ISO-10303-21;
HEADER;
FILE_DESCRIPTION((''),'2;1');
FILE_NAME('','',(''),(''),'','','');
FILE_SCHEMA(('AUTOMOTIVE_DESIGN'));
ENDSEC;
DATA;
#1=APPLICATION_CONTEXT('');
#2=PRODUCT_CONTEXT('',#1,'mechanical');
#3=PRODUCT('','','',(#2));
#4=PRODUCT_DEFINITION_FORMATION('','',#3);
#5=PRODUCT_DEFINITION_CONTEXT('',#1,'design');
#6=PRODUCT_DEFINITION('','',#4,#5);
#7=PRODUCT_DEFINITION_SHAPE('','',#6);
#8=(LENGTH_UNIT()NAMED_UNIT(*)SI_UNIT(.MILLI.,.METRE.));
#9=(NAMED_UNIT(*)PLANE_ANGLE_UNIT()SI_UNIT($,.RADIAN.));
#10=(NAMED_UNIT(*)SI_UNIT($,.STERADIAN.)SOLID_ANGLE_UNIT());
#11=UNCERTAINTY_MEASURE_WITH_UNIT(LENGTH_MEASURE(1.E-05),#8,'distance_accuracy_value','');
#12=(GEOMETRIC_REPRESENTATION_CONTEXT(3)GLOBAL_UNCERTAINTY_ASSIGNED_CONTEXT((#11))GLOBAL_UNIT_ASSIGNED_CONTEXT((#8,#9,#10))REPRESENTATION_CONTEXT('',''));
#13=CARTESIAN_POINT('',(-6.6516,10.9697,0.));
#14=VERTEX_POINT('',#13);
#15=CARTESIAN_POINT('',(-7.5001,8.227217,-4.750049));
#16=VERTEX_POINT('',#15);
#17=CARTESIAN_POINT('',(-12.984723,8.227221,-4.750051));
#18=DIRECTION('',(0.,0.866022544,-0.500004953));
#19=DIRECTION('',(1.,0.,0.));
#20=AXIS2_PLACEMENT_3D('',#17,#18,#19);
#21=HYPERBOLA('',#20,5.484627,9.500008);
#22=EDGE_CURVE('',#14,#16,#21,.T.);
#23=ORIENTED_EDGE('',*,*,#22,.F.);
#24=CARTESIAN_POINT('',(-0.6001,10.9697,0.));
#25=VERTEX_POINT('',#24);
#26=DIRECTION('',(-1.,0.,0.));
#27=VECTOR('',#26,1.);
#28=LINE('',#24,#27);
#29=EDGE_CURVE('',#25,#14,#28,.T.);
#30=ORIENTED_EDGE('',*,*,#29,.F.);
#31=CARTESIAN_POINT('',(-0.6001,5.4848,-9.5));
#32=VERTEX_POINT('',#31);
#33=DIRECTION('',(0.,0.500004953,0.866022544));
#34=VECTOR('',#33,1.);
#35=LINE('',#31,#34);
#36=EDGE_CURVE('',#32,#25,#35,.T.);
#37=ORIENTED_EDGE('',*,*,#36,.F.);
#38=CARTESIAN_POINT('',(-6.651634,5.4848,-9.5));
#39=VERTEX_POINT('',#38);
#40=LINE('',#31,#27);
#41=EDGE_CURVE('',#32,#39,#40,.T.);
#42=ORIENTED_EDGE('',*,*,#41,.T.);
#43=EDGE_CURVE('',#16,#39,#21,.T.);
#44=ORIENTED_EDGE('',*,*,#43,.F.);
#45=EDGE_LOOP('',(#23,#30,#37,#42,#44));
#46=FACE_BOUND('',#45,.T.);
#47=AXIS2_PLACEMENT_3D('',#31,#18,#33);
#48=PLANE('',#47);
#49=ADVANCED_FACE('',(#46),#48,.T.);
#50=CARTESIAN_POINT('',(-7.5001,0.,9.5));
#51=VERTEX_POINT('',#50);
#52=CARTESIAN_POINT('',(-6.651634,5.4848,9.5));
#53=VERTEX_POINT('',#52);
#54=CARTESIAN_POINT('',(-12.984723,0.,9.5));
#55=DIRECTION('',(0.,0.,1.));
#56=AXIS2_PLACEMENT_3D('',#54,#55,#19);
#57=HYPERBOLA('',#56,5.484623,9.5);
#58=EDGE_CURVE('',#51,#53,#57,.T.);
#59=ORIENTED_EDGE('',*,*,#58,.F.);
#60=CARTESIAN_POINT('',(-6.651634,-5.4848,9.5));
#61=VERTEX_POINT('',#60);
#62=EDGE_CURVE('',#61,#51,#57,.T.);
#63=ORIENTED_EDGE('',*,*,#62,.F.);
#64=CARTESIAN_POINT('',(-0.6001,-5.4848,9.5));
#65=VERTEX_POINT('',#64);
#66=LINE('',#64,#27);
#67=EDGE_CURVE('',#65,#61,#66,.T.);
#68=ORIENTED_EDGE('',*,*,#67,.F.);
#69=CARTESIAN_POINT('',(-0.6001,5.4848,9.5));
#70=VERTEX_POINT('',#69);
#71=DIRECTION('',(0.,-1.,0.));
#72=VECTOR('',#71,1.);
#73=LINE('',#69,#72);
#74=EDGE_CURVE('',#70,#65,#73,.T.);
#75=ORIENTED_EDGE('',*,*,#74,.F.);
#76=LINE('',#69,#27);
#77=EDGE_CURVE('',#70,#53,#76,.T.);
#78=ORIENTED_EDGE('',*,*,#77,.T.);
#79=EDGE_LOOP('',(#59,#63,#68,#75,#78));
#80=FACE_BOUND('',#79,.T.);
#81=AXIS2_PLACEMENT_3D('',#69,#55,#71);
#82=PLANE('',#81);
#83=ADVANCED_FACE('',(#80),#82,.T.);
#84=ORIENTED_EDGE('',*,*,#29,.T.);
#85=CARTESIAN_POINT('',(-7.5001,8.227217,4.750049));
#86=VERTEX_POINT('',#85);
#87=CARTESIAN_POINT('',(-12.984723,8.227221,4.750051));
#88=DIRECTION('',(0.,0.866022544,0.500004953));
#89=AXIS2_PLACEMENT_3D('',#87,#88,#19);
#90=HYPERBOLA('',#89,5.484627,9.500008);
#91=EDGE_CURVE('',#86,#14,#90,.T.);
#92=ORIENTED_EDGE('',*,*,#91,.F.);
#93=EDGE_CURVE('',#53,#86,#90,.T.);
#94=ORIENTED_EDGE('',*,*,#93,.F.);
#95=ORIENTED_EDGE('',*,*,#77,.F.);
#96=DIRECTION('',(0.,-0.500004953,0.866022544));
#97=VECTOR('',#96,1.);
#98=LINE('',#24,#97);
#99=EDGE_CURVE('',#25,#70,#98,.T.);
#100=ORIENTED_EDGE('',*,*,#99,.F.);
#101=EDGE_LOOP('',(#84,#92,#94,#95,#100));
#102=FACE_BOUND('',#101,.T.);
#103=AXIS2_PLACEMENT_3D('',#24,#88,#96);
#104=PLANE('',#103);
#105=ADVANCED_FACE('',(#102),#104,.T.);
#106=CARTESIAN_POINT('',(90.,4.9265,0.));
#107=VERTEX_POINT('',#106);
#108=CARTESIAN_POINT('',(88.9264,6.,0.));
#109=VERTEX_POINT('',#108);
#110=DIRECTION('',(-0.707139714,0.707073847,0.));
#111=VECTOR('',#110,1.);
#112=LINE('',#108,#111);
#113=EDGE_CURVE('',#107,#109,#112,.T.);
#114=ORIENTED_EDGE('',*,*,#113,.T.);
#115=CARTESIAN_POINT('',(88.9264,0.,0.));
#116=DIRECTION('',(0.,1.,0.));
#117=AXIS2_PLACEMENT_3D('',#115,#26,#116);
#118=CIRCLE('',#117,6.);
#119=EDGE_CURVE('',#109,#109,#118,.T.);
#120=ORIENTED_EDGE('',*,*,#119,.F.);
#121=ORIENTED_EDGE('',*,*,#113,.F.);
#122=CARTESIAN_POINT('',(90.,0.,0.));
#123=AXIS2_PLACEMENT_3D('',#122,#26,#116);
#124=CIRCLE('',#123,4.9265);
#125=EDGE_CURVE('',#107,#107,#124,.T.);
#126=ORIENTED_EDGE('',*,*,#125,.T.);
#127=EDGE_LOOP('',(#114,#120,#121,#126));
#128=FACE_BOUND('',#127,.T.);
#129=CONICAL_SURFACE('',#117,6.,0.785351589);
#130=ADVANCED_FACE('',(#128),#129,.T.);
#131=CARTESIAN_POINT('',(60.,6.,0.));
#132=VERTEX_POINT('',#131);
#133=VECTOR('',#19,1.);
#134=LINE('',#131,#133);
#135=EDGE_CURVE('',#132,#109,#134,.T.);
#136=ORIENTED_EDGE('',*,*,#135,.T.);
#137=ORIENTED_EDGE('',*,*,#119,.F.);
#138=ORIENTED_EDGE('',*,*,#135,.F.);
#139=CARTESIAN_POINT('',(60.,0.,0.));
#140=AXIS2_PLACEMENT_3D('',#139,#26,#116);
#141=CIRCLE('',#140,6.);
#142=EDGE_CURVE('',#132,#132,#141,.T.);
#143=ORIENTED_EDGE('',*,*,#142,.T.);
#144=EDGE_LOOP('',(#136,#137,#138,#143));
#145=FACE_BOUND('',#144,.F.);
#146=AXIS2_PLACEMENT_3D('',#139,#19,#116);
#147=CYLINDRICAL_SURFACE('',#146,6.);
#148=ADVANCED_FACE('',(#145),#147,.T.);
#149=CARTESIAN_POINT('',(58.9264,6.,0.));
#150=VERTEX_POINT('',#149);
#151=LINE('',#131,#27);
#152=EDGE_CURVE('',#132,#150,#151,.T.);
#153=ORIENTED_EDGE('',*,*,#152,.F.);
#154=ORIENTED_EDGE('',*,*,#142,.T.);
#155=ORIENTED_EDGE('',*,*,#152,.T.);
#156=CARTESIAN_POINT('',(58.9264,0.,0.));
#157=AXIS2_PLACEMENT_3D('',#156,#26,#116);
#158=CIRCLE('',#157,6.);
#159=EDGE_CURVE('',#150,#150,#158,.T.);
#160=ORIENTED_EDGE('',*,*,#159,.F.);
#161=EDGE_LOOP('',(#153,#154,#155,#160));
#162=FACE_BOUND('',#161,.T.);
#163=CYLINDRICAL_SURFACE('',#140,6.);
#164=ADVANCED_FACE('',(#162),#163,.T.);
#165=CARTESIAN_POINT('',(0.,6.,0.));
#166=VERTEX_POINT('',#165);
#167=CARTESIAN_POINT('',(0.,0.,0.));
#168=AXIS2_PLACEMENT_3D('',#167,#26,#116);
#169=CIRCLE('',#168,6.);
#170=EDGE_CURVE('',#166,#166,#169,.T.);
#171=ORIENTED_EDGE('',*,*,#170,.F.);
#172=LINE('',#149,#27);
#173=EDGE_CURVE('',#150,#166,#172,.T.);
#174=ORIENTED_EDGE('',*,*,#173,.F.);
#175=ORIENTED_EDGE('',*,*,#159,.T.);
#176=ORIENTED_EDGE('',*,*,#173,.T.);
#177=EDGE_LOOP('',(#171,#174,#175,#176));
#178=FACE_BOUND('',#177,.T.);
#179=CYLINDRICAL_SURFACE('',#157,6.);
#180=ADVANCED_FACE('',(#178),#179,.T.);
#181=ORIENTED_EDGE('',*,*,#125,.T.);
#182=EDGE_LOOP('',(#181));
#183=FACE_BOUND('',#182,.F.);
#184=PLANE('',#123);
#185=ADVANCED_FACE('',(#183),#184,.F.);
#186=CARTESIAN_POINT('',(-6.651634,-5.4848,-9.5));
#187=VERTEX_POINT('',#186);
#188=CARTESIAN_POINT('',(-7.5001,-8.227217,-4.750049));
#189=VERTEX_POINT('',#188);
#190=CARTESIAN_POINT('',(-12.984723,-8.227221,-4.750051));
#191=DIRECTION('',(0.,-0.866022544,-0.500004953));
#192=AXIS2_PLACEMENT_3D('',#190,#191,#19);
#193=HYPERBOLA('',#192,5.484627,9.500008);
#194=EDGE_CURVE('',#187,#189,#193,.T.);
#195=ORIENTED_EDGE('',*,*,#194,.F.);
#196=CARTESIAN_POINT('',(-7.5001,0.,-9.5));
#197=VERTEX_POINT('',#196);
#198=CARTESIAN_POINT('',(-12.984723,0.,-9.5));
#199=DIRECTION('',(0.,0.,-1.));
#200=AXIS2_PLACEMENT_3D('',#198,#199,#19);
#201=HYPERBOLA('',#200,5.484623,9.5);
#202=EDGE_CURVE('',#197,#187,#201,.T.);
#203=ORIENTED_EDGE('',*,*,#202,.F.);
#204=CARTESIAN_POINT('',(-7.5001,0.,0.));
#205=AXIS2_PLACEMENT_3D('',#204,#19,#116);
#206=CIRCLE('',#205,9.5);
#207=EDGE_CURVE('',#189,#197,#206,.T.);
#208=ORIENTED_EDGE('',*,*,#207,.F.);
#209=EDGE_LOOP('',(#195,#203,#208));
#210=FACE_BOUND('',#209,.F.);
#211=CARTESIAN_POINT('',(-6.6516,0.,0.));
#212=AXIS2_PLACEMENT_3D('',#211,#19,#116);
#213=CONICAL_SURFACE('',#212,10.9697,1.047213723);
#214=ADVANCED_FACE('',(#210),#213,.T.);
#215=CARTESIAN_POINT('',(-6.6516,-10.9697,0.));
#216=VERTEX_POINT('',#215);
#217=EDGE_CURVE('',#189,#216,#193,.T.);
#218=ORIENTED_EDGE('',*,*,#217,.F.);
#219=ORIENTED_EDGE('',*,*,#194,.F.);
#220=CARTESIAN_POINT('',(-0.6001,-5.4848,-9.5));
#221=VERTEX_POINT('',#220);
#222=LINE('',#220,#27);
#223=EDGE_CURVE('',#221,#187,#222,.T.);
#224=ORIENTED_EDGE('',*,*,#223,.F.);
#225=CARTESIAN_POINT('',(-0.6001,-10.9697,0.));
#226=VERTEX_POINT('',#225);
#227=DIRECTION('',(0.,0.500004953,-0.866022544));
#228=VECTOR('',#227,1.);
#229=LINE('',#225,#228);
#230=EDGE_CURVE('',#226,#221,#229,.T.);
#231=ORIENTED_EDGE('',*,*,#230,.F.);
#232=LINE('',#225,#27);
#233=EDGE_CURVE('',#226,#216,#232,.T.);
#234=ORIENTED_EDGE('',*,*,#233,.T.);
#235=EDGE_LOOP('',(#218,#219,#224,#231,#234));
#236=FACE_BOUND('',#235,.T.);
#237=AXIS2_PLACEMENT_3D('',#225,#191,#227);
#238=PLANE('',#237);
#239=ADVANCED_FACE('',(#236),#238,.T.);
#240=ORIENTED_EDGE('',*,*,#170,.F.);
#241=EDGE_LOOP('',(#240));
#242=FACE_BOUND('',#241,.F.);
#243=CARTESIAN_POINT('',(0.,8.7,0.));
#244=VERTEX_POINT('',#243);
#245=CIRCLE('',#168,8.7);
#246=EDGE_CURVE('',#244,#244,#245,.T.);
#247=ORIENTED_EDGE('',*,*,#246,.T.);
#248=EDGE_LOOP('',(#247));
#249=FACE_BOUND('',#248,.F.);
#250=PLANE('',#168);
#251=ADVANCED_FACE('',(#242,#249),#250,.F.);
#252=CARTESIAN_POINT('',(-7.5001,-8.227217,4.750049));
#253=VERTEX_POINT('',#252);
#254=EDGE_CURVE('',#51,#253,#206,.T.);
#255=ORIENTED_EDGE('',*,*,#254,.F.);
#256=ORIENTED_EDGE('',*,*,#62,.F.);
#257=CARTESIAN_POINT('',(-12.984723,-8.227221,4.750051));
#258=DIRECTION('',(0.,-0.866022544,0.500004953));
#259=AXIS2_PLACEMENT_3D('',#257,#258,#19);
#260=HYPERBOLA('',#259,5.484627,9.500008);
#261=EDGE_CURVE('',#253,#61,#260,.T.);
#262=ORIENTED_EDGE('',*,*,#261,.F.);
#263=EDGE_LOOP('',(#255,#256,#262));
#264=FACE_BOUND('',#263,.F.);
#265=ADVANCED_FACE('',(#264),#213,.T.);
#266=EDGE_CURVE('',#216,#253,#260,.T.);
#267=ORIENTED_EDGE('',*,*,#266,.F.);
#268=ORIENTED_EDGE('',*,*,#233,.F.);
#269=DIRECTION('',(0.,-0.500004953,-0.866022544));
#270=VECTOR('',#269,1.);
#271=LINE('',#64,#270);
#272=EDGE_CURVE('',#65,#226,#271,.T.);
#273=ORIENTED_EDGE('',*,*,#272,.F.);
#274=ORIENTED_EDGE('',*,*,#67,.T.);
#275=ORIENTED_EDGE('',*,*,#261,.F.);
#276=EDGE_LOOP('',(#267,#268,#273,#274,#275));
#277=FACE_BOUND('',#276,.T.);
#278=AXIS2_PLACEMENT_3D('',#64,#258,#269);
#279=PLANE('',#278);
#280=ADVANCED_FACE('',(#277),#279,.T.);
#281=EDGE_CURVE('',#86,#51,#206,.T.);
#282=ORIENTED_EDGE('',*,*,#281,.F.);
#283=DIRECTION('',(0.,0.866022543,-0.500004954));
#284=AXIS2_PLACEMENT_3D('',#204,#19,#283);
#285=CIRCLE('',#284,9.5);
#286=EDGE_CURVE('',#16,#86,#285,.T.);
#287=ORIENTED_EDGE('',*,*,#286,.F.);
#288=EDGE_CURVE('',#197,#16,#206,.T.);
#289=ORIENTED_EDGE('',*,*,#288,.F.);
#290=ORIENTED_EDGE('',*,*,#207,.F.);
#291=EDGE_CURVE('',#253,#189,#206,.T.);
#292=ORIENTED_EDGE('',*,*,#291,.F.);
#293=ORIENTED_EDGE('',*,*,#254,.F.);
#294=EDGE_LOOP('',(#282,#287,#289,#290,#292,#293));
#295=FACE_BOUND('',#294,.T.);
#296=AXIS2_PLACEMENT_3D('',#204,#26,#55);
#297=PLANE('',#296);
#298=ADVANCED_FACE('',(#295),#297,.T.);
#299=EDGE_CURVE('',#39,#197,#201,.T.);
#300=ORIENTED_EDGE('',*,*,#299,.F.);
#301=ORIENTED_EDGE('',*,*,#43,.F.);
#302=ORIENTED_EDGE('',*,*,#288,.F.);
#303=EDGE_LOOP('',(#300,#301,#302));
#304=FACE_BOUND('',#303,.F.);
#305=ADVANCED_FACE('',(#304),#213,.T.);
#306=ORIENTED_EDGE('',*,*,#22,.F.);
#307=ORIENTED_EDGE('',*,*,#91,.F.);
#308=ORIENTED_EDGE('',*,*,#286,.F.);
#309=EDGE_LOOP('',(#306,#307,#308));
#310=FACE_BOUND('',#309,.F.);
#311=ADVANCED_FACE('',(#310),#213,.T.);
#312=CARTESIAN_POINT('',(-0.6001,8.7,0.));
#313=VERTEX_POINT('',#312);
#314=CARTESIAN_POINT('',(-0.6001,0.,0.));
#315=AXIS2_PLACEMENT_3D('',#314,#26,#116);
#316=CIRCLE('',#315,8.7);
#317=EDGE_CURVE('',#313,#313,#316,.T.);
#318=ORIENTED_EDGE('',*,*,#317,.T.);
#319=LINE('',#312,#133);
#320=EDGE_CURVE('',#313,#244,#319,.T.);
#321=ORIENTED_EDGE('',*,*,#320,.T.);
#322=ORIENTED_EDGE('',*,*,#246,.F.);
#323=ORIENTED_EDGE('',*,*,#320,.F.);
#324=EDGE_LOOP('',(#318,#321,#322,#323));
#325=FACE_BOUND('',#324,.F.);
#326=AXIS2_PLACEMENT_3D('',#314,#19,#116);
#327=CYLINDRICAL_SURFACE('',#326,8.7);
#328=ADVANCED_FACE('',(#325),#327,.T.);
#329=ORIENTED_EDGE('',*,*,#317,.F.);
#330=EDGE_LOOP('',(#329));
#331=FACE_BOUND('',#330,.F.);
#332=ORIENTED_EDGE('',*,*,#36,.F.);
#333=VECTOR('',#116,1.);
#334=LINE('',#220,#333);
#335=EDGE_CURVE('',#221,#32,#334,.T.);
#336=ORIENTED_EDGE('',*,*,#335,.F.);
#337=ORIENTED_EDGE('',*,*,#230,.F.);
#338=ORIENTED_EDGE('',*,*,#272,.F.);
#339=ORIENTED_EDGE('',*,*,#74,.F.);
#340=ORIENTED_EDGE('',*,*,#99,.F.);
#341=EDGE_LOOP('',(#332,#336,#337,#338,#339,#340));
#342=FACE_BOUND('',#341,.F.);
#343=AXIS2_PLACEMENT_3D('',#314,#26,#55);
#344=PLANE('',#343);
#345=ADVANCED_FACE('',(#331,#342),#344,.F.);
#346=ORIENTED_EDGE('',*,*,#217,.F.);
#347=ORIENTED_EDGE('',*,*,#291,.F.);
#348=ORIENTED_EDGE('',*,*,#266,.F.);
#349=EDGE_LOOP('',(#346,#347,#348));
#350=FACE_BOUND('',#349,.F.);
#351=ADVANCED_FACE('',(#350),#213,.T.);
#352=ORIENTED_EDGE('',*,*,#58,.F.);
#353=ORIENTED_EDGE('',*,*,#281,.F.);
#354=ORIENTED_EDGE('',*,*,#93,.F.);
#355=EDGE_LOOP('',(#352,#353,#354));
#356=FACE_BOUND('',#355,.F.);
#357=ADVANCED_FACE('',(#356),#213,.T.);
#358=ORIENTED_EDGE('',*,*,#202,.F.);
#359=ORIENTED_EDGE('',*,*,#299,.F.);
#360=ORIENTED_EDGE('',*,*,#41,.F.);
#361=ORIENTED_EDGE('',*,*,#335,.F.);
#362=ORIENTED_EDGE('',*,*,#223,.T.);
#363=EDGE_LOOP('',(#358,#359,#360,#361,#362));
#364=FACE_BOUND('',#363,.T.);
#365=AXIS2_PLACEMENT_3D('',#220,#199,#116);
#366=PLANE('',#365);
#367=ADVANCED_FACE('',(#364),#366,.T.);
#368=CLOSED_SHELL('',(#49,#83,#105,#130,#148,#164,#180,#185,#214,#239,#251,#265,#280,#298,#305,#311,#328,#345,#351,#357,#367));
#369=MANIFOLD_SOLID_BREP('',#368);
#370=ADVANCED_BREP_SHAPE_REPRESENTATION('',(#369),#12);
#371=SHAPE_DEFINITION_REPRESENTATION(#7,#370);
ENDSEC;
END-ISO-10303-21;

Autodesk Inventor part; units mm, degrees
ref_plane "YZ Plane" through (0, 0, 0) normal (1, 0, 0) x (0, 1, 0)
ref_plane "XZ Plane" through (0, 0, 0) normal (0, 1, 0) x (-1, 0, 0)
ref_plane "XY Plane" through (0, 0, 0) normal (0, 0, 1) x (1, 0, 0)
sketch "Skizze1" plane through (0, 0, 0) normal (0, 0, 1) x (1, 0, 0)
  line L0 (0, 8.7) -> (0, 6)
  line L1 (60, 6) -> (90, 6)
  line L2 (90, 6) -> (90, 0)
  line L3 (90, 0) -> (-0.6001, 0)
  line L4 (-0.4751, 0) -> (2.675, 0) projected
  line L5 (-0.6001, 0) -> (-0.6001, 8.7)
  line L6 (-0.6001, 8.7) -> (0, 8.7)
  line L7 (60, 6) -> (58.9264, 6)
  line L8 (58.9264, 6) -> (0, 6)
  line L9 (0, -0.1135) -> (0, 1.4755) projected
  dimension "d0" = 90
  dimension "d1" = 30
  dimension "d2" = 12
  dimension "d9" = 0.6001
  dimension "d10" = 17.4
  dimension "d13" = 1.0736
  dimension "d14" = 12
revolve "Körper" add sketch "Skizze1" angle 360 about axis through (90, 0, 0) along (-1, 0, 0)
sketch "Skizze2" plane through (-0.6001, 0, 0) normal (-1, 0, 0) x (0, 0, 1)
  line L0 (0, 10.9697) -> (9.5, 5.4848)
  line L1 (9.5, 5.4848) -> (9.5, -5.4848)
  line L2 (9.5, -5.4848) -> (0, -10.9697)
  line L3 (0, -10.9697) -> (-9.5, -5.4848)
  line L4 (-9.5, -5.4848) -> (-9.5, 5.4848)
  line L5 (-9.5, 5.4848) -> (0, 10.9697)
  point P0 (0, 0)
  point P1 (0, 0)
  dimension "d11" = 19
extrude "Kopf" add sketch "Skizze2" along normal blind 6.9
sketch "Skizze4" plane through (0, 0, 0) normal (0, 0, 1) x (1, 0, 0)
  line L0 (-7.5001, 9.5) -> (-7.5001, 10.9697)
  line L1 (-7.5001, 10.9697) -> (-6.6516, 10.9697)
  line L2 (-6.6516, 10.9697) -> (-7.5001, 9.5)
  line L3 (-1.1851, 0) -> (0.0049, 0) projected
  line L4 (-0.6001, 10.9697) -> (-7.5001, 10.9697) projected
  line L5 (-7.5001, 5.4848) -> (-7.5001, 10.9697) projected
  dimension "d5" = 30
  dimension "d19" = 19
revolve "Fase1" cut sketch "Skizze4" angle 360 about axis through (-10, 0, 0) along (1, 0, 0)
thread "Gewinde" size "M1.6x0.35" class "6g" standard "ANSI Metric M Profile" length 30
chamfer "Fase2" distance 1.0735 distance2 1.0736 1 edges at (90, -6, 0) measured on face at (90, 0.7092, -1.87)
equation "\"d0\" = NLG"
equation "\"d1\" = GEL"
equation "\"d2\" = GD"
equation "\"d10\" = SD2"
equation "\"d14\" = BDM"
equation "\"d11\" = SW"
equation "\"d3\" = KOH - SD"
equation "\"d5\" = ANG1"
equation "\"d19\" = SW0"
equation "\"d15\" = GEL"
equation "\"d6\" = -0.5 * SPD + 0.5 * GD"
equation "\"NLG\" = 90"
equation "\"GD\" = NND"
equation "\"BDM\" = NND"
equation "\"KOH\" = 7.5"
equation "\"GEL\" = 30"
equation "\"SW\" = 19"
equation "\"SW0\" = SW"
equation "\"SPD\" = NND - 1.2269 * TPU"
equation "\"SD2\" = 17.4"
equation "\"SD\" = 0.6"
equation "\"ANG1\" = 30deg"
equation "\"GAL\" = 0.61345 * TPU"
equation "\"GUL\" = 0.61345 * TPU"
equation "\"RR\" = 0.6"
equation "\"TOA\" = 30deg"
equation "\"PTC\" = TPU"
equation "\"GD1\" = THREADDIA - 1.2269 * TPU"
equation "\"TPU\" = 1.75"
equation "\"THREADDIA\" = 12"
equation "\"E0\" = 1.155 * SW"
equation "\"NND\" = 12"
properties part number "DIN 931-1 - M12 x 90"
